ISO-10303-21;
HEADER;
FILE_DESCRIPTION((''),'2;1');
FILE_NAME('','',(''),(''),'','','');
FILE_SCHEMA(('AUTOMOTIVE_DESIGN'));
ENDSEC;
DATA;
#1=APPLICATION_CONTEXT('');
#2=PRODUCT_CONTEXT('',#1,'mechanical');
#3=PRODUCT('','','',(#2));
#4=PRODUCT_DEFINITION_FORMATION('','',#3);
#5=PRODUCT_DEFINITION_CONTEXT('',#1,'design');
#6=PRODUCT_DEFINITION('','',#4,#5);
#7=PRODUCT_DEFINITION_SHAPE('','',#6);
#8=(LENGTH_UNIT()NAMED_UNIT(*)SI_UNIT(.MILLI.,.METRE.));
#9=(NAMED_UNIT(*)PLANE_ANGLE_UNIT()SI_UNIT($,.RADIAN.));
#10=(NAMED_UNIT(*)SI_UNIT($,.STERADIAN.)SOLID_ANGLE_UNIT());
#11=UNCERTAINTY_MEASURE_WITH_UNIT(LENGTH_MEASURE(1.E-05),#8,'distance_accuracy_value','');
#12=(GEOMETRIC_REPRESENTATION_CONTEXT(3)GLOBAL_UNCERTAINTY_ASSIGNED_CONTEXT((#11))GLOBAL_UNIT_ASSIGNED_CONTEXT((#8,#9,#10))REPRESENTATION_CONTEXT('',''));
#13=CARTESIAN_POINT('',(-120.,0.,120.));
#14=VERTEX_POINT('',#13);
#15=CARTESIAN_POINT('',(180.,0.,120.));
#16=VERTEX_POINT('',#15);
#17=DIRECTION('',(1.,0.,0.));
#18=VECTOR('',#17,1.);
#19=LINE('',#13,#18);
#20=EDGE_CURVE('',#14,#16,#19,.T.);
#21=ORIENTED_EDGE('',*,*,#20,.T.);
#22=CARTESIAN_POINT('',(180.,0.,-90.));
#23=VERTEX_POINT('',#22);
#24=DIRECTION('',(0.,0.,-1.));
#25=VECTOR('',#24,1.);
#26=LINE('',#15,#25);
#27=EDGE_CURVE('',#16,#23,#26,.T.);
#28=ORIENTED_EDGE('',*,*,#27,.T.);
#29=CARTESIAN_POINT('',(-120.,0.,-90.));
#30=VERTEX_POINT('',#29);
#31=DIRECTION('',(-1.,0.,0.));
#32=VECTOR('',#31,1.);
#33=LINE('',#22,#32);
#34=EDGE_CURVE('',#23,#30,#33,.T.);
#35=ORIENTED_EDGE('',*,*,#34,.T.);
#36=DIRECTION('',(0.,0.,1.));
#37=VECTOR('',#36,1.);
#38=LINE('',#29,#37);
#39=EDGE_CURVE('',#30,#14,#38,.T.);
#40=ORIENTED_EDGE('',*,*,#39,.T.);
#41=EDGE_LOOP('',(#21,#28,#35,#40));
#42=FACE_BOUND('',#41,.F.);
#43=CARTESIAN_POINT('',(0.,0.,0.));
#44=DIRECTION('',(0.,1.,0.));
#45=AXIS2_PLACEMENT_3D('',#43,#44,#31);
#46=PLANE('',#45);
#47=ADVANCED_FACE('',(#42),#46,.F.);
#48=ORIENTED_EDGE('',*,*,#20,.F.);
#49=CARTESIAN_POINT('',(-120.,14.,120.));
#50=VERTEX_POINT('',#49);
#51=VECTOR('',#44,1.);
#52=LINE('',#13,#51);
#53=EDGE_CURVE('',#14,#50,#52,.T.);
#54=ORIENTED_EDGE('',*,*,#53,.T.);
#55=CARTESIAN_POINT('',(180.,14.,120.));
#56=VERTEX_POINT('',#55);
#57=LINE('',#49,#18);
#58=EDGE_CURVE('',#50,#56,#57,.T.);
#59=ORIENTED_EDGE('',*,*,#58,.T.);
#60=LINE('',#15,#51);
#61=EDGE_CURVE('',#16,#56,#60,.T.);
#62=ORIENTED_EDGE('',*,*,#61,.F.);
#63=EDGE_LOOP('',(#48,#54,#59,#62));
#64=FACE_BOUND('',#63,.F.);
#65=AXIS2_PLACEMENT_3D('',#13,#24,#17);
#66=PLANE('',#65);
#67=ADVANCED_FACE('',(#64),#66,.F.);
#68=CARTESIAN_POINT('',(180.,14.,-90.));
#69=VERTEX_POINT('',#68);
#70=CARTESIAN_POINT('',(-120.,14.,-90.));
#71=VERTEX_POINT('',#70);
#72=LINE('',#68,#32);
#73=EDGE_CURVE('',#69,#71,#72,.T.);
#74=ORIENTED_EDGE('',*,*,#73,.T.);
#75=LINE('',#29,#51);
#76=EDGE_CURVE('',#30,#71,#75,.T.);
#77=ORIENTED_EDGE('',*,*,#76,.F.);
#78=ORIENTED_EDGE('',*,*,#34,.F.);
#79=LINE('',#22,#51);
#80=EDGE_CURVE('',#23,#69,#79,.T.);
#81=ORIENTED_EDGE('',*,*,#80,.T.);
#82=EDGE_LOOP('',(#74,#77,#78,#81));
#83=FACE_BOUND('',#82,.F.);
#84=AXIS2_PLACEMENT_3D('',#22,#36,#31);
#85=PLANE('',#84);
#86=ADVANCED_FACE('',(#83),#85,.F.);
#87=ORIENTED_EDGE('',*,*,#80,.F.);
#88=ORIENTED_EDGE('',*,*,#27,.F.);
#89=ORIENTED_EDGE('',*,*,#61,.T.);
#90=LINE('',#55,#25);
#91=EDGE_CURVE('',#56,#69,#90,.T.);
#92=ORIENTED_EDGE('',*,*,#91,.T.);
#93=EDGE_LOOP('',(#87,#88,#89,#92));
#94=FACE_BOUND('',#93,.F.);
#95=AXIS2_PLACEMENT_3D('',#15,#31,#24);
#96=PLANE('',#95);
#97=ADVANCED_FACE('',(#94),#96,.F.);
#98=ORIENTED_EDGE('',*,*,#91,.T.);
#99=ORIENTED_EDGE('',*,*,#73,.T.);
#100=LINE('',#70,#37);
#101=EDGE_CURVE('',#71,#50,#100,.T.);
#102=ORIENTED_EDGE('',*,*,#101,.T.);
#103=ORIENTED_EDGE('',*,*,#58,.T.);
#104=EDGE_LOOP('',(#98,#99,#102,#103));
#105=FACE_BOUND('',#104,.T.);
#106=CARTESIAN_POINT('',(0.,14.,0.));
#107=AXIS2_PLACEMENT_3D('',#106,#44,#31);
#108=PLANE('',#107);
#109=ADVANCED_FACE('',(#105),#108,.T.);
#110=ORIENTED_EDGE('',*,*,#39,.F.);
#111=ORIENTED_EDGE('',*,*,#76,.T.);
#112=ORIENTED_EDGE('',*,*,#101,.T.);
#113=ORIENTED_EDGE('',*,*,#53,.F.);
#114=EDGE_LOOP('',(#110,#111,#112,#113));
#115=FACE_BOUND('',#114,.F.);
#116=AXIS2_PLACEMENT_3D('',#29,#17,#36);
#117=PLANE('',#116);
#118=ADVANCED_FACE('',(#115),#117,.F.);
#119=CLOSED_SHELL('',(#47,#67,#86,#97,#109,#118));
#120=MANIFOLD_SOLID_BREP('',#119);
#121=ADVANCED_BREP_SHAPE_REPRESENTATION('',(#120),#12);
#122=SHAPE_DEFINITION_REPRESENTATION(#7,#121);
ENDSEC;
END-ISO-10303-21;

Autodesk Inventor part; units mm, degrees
ref_plane "YZ Plane" through (0, 0, 0) normal (1, 0, 0) x (0, 1, 0)
ref_plane "XZ Plane" through (0, 0, 0) normal (0, 1, 0) x (-1, 0, 0)
ref_plane "XY Plane" through (0, 0, 0) normal (0, 0, 1) x (1, 0, 0)
sketch "Sketch1" plane through (0, 0, 0) normal (0, 1, 0) x (-1, 0, 0)
  line L0 (120, 120) -> (-180, 120)
  line L1 (-180, 120) -> (-180, -90)
  line L2 (-180, -90) -> (120, -90)
  line L3 (120, -90) -> (120, 120)
  point P0 (0, 0)
  dimension "d0" = 210
  dimension "d1" = 300
extrude "Extrusion1" add sketch "Sketch1" along normal blind 14
properties part number "KaretkaYaxis" material "Aluminum 6061"
